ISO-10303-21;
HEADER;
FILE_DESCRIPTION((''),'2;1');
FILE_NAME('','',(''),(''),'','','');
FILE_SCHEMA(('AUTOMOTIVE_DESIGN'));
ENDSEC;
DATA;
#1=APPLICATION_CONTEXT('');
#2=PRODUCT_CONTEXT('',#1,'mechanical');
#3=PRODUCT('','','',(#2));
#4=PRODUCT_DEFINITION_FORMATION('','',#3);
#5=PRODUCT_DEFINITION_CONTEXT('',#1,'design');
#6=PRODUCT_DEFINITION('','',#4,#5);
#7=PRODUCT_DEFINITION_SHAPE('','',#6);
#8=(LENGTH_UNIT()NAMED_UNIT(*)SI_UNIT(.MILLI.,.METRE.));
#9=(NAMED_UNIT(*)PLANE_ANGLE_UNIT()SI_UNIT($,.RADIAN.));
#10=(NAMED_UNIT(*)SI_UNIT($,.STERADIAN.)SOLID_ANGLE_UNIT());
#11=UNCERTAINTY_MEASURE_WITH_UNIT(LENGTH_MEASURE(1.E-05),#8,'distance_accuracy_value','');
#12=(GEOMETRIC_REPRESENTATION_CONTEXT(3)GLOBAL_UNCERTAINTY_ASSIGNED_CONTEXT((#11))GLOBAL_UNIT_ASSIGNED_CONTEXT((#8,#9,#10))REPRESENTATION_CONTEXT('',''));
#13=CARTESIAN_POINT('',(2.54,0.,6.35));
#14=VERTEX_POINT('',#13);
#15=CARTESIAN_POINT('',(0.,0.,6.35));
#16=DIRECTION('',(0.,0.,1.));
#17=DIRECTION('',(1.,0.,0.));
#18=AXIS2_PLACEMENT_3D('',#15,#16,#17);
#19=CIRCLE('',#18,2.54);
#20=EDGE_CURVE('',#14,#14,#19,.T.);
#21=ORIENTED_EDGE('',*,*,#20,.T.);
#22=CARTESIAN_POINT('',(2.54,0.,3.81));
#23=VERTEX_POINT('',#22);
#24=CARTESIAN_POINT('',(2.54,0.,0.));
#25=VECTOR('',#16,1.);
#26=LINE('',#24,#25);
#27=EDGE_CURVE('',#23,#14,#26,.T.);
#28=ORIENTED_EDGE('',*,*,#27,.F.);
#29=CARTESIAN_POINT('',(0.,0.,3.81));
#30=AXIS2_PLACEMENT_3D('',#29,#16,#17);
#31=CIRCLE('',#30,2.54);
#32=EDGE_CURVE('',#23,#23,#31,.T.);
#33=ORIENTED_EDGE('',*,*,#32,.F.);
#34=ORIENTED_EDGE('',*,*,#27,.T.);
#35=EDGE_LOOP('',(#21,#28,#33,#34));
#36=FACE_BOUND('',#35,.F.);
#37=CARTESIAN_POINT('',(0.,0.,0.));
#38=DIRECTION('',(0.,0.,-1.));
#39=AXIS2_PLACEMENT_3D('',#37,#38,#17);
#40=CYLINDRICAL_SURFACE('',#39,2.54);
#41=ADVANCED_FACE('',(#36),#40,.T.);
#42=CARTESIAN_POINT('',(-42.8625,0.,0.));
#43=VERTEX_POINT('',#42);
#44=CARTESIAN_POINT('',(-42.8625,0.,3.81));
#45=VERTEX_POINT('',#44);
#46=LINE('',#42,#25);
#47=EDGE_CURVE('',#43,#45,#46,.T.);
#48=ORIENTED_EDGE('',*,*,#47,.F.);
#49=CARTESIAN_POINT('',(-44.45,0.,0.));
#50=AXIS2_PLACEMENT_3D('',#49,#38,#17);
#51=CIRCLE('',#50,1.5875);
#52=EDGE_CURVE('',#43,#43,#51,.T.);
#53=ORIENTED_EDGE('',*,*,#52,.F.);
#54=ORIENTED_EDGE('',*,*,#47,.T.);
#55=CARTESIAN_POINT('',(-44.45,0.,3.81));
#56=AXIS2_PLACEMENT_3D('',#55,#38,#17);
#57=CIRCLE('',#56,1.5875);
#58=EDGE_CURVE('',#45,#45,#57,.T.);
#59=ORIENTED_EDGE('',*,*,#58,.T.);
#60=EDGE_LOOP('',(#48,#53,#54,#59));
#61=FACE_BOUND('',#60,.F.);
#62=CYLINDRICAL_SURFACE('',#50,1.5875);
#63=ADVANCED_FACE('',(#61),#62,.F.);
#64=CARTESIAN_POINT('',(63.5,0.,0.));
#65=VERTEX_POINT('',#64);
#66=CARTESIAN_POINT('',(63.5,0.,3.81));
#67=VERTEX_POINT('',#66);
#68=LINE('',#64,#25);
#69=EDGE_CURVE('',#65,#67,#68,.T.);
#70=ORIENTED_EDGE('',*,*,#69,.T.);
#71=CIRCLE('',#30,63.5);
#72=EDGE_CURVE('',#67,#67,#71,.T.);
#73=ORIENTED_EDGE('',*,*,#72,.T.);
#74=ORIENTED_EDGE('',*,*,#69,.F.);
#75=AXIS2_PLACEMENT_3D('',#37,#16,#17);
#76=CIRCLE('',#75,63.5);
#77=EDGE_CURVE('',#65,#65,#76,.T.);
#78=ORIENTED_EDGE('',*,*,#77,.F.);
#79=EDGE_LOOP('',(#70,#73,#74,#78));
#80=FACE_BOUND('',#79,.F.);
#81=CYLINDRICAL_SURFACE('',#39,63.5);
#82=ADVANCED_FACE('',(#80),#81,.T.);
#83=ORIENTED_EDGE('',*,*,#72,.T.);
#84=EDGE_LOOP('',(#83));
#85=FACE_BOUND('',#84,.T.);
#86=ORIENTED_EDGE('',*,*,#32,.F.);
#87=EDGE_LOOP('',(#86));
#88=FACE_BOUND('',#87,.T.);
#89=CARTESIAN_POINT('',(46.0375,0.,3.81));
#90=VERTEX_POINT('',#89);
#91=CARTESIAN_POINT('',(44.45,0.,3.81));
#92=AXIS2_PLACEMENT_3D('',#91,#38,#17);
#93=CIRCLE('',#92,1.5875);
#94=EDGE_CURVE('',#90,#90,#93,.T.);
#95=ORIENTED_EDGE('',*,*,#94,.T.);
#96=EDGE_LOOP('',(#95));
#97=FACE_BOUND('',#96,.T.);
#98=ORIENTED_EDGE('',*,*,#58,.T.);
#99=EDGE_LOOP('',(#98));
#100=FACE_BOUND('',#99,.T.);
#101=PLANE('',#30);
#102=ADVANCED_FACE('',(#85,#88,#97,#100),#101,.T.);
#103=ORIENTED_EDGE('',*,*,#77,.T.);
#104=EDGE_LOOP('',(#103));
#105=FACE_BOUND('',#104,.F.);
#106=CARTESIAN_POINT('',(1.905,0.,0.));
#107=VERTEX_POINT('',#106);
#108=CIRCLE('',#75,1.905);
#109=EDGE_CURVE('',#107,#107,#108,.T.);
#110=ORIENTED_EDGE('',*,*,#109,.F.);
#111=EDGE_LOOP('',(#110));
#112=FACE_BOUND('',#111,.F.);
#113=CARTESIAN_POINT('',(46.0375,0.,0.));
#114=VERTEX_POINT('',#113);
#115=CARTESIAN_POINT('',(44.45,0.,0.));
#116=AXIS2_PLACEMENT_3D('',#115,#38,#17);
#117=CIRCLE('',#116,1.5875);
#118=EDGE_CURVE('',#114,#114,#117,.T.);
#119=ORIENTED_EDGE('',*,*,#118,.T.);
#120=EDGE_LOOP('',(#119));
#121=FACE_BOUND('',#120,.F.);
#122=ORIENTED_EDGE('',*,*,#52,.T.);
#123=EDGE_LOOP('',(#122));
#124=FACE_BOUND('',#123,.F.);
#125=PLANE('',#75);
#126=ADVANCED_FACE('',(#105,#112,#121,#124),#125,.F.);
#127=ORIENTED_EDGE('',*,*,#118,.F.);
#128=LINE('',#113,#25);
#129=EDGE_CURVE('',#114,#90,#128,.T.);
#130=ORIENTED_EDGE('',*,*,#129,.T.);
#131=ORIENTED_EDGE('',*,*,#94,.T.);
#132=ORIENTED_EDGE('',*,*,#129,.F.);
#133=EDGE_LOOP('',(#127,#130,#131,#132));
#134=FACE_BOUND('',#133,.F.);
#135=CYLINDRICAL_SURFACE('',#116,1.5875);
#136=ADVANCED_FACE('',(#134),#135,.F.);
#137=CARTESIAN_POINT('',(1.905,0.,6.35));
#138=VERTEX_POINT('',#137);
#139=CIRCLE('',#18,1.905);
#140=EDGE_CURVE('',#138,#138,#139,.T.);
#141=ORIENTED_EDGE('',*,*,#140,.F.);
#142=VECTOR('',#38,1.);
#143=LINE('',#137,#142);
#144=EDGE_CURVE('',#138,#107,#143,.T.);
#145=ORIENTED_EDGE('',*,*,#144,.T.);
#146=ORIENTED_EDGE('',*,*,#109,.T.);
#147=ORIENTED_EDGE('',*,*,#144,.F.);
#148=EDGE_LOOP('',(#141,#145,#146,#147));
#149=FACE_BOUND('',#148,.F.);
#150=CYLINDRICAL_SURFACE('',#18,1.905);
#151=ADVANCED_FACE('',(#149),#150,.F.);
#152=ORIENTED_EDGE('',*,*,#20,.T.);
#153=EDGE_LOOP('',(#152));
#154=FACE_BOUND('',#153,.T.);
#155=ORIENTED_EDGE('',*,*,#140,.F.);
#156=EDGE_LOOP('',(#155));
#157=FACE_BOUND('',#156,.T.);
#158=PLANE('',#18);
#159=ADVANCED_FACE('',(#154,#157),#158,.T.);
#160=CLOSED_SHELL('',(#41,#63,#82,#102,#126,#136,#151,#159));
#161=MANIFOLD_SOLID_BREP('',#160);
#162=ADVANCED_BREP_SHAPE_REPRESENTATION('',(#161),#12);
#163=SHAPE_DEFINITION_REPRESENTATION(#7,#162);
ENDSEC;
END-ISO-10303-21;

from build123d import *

# Parameters (mm, degrees)
F0_R     = 2.54
F1_DEPTH = 6.35
F0_R_2   = 63.5
F2_DEPTH = 3.81
F3_R     = 1.905
F4_DEPTH = 40.64
F5_R     = 1.5875
F6_DEPTH = 25.4


with BuildPart() as f1:
    # F0 (on Top) → F1 (new body)
    with BuildSketch(Plane.XY):
        Circle(F0_R)
    extrude(amount=F1_DEPTH)

    # F0 (on Top) → F2 (join)
    with BuildSketch(Plane.XY):
        Circle(F0_R_2)
        Circle(F0_R, mode=Mode.SUBTRACT)
    extrude(amount=F2_DEPTH)

    # F3 (on face) → F4 (cut)
    with BuildSketch(Plane.XY.offset(6.35)):
        Circle(F3_R)
    extrude(amount=-F4_DEPTH, mode=Mode.SUBTRACT)

    # F5 (on face) → F6 (cut)
    with BuildSketch(Plane(origin=(0, 0, 0), x_dir=(1, 0, 0), z_dir=(0, 0, -1))):
        with Locations((44.45, 0)):
            Circle(F5_R)
        with Locations((-44.45, 0)):
            Circle(F5_R)
    extrude(amount=-F6_DEPTH, mode=Mode.SUBTRACT)


solid = f1.part
